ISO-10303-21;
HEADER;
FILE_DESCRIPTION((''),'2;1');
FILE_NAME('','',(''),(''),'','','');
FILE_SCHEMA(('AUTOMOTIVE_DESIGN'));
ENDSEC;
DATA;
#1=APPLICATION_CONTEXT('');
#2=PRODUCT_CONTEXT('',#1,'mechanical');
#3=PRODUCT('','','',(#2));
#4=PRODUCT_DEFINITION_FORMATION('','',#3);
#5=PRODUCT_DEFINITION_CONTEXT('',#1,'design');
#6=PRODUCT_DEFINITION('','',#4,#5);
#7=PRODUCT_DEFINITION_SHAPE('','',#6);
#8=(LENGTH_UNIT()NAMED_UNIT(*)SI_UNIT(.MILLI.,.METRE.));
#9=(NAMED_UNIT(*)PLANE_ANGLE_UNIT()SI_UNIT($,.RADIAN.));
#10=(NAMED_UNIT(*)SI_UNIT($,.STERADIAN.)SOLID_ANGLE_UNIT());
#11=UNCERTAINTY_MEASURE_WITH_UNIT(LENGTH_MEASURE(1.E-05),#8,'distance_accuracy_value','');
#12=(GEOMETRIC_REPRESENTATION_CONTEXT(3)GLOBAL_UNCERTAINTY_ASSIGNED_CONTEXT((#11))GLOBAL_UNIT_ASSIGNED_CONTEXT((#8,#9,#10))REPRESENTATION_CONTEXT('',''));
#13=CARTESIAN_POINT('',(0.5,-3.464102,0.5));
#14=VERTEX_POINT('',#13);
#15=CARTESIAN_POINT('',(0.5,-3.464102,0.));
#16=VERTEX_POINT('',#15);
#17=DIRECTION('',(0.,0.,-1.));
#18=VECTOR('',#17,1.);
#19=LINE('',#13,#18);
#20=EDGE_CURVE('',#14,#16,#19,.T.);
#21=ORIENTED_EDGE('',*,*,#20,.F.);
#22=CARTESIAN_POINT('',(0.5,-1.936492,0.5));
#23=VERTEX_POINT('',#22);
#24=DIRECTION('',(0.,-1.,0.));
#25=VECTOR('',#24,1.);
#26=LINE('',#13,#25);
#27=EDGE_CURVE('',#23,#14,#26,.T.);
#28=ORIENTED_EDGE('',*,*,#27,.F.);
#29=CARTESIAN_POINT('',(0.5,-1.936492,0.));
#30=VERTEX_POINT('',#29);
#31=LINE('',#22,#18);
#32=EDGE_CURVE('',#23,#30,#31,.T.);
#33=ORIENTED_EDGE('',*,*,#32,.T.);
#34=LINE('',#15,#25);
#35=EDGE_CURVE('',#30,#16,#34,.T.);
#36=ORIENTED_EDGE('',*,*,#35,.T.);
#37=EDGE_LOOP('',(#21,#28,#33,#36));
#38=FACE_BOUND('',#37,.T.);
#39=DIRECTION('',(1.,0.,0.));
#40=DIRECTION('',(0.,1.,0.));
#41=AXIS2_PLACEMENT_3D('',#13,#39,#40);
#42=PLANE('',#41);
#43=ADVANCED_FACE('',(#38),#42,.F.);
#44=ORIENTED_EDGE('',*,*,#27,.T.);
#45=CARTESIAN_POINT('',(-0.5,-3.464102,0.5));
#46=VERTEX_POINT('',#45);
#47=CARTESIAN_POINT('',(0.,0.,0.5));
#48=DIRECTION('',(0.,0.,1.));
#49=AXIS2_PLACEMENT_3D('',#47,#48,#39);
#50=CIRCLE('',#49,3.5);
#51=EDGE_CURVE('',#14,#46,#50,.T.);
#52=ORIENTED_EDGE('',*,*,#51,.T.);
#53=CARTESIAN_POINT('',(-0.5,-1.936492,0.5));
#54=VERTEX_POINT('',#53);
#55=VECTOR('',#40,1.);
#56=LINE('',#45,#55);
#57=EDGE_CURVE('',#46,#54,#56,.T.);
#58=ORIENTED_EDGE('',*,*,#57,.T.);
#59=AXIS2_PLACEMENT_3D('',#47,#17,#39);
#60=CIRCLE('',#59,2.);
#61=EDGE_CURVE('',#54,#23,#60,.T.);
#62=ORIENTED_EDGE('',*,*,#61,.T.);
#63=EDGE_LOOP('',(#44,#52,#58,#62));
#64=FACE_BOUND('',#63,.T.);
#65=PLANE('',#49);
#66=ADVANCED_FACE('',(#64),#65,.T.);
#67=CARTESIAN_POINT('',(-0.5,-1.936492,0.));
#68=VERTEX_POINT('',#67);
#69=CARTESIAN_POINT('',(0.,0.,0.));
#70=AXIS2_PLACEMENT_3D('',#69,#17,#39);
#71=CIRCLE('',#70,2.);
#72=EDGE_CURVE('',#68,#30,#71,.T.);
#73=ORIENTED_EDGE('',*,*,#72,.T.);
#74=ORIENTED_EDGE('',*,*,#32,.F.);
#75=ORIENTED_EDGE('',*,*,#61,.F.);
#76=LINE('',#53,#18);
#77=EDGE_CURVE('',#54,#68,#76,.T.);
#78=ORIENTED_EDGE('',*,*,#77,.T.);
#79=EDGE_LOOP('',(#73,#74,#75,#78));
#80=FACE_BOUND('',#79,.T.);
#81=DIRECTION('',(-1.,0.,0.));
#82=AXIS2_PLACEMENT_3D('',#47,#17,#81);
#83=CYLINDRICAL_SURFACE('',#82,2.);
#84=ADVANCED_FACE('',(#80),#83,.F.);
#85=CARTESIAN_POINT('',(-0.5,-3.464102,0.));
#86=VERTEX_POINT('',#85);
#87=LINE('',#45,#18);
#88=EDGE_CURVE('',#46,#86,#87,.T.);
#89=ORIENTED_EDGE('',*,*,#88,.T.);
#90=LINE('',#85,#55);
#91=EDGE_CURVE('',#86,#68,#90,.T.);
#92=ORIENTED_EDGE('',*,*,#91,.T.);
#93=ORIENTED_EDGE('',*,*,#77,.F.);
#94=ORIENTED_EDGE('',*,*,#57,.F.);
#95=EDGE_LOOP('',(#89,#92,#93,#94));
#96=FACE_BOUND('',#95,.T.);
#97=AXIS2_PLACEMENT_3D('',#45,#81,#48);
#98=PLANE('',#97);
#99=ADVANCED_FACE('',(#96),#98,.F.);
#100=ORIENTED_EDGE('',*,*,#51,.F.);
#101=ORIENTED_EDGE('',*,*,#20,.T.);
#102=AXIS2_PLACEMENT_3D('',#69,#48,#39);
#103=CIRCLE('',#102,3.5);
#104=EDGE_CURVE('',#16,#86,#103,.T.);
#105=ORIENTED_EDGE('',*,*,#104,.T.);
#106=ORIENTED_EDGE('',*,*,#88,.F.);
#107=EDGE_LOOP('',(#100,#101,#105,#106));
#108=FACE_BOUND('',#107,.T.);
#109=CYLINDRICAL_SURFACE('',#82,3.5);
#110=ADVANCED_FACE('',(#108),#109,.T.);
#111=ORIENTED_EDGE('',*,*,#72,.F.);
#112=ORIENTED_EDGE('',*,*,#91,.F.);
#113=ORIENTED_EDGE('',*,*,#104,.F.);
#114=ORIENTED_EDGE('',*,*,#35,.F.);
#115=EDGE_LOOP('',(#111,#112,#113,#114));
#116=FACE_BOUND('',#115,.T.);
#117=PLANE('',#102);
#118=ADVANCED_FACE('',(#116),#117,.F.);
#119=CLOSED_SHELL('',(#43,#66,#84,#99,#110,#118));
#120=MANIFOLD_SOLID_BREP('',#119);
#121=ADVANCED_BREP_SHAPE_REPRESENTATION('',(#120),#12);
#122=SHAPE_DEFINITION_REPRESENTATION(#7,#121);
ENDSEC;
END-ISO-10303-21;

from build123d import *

# Parameters (mm, degrees)
BOSS_EXTRU_2_DEPTH = 0.5


with BuildPart() as part:
    # Esquisse2 → Boss.-Extru.2 (new body)
    with BuildSketch(Plane.XY):
        with BuildLine():
            Line((-0.5, -3.464101615), (-0.5, -1.936491673))
            ThreePointArc((-0.5, -1.936491673), (0, 2), (0.5, -1.936491673))
            Line((0.5, -1.936491673), (0.5, -3.464101615))
            ThreePointArc((0.5, -3.464101615), (0, 3.5), (-0.5, -3.464101615))
        make_face()
    extrude(amount=BOSS_EXTRU_2_DEPTH)


solid = part.part
